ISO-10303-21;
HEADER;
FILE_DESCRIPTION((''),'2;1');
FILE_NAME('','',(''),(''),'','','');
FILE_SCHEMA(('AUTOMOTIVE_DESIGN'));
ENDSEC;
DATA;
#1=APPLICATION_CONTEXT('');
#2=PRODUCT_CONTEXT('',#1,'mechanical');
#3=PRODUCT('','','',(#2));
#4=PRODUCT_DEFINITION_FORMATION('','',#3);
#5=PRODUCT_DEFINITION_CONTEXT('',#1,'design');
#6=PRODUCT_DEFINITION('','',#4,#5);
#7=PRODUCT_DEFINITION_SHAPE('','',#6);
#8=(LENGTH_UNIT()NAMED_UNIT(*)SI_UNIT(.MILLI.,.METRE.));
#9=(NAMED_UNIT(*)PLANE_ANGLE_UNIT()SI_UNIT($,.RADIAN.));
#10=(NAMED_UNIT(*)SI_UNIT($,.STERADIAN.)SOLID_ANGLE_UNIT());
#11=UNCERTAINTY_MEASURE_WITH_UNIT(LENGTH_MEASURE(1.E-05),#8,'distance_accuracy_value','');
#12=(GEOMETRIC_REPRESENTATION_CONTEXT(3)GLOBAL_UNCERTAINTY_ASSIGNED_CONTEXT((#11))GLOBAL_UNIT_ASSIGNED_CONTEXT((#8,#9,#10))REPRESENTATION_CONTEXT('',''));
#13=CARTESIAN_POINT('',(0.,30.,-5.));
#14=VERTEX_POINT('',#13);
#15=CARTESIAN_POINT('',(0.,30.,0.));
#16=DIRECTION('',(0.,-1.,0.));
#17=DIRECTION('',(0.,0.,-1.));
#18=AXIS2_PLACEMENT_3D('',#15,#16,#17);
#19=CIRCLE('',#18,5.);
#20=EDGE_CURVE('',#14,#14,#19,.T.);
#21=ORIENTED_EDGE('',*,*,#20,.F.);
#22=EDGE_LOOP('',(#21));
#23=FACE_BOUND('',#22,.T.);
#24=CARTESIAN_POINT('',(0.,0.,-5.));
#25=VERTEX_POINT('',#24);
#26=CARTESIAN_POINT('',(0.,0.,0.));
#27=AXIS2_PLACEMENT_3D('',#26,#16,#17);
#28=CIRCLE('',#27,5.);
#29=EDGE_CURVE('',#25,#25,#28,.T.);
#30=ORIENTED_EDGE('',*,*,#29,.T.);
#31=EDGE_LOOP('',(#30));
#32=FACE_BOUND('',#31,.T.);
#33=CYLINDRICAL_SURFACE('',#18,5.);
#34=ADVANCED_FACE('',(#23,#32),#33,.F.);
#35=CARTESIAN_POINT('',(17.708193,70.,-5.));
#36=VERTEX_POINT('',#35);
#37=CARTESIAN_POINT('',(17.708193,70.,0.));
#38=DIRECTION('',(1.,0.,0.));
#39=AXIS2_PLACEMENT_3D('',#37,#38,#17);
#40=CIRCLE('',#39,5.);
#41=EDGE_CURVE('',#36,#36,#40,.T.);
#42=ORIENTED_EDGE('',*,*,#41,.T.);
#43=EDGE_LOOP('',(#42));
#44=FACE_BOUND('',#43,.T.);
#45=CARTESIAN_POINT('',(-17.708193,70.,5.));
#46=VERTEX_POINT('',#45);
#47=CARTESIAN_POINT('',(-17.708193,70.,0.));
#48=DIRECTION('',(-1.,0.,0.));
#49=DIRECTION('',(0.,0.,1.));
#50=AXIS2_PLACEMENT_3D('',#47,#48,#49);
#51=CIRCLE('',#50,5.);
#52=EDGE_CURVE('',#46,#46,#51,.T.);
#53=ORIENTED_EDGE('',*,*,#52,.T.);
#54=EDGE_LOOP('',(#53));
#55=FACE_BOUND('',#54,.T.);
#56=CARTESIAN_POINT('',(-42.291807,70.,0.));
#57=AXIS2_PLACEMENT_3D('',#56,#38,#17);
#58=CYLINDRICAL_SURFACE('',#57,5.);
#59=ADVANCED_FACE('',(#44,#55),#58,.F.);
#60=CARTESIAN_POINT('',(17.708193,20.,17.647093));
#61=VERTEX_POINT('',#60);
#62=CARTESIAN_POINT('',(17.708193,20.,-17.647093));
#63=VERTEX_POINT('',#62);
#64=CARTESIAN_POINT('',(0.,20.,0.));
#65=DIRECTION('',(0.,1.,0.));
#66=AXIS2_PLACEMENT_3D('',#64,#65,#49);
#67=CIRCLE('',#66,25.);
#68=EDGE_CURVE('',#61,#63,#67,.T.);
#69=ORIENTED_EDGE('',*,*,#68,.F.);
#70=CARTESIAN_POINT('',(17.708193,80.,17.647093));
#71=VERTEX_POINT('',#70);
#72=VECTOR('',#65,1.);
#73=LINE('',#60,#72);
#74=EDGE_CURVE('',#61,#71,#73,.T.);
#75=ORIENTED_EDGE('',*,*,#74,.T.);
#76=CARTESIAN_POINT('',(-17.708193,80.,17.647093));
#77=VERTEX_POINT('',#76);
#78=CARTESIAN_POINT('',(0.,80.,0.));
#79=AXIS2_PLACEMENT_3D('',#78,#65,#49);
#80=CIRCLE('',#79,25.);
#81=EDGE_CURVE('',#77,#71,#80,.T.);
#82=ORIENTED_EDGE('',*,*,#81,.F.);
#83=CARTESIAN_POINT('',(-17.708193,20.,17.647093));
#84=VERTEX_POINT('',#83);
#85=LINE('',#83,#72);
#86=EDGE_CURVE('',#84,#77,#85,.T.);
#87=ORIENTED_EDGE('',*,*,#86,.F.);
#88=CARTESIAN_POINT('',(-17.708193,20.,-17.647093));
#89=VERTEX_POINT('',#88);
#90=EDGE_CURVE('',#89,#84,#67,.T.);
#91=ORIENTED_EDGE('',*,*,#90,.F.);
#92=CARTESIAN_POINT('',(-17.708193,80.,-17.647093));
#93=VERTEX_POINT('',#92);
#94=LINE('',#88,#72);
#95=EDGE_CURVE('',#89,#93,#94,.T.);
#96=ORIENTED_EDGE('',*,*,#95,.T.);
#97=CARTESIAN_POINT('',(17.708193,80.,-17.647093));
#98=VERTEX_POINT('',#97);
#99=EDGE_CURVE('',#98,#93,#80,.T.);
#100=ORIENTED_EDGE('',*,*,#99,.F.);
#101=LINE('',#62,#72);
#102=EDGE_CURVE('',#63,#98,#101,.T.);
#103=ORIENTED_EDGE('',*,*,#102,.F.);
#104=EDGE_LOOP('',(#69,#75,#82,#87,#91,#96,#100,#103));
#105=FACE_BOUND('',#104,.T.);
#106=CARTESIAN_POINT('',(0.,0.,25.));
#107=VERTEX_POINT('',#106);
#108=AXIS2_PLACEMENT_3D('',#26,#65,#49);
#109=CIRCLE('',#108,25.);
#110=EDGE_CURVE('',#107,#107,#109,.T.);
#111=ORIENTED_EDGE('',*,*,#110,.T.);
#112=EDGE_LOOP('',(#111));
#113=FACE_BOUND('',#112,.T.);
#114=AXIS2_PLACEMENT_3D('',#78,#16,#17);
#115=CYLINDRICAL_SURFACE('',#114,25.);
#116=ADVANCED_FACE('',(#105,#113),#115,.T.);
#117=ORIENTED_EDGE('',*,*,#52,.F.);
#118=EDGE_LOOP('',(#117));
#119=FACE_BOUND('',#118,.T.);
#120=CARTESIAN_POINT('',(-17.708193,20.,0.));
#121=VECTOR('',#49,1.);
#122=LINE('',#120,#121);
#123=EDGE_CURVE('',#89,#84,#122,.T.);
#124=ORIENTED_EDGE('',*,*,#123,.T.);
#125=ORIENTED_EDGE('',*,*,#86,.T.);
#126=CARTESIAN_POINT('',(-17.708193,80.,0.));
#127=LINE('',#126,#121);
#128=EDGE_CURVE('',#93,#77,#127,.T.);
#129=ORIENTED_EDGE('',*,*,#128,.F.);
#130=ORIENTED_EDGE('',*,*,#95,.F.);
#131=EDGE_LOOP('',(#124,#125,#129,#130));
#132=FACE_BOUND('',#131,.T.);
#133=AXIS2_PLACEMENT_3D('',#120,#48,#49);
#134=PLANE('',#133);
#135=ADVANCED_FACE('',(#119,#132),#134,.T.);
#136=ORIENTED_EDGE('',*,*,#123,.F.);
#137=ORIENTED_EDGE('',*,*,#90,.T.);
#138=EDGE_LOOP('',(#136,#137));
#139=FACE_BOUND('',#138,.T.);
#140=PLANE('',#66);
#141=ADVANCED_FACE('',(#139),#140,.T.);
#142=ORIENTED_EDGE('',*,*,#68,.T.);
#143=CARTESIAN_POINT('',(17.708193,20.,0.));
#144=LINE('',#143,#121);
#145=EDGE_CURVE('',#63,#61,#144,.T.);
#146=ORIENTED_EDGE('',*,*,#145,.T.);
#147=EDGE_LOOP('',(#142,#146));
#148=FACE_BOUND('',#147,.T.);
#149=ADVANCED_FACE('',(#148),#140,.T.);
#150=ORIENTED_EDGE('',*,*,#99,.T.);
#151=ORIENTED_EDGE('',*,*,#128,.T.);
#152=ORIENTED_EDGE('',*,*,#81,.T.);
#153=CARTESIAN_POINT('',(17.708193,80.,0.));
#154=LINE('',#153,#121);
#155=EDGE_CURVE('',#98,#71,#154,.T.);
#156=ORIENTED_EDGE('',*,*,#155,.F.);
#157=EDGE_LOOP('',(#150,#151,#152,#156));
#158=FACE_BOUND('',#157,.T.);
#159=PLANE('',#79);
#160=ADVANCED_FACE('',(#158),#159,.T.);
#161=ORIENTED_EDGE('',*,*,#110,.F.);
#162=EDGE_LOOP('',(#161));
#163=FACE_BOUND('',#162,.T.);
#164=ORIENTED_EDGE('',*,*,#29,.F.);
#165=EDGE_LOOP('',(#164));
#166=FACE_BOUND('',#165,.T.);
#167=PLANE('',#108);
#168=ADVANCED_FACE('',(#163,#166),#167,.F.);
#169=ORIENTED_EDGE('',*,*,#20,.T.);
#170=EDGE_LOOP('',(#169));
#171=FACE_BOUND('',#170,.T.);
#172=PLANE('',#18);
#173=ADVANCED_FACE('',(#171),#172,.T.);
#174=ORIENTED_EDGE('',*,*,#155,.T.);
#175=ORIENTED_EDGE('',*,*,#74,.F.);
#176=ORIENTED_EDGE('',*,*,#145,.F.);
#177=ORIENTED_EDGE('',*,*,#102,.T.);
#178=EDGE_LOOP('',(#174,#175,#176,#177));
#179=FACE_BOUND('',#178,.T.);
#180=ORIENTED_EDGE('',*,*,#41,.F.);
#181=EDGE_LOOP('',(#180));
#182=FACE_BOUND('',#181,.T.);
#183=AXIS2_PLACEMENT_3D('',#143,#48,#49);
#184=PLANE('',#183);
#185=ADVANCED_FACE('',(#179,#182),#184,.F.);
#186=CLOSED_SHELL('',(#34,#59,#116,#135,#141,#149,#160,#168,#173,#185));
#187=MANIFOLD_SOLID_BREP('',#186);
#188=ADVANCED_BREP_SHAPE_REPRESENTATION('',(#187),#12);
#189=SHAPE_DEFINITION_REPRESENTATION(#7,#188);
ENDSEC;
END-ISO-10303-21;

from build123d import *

# Parameters (mm, degrees)
SKETCH1_R           = 25
BOSS_EXTRUDE1_DEPTH = 80
CUT_EXTRUDE1_DEPTH  = 60
SKETCH3_R           = 5
CUT_EXTRUDE2_DEPTH  = 60
SKETCH4_R           = 5
CUT_EXTRUDE3_DEPTH  = 30


with BuildPart() as part:
    # Sketch1 → Boss-Extrude1 (new body)
    with BuildSketch(Plane(origin=(0, 0, 0), x_dir=(1, 0, 0), z_dir=(0, 1, 0))):
        Circle(SKETCH1_R)
    extrude(amount=BOSS_EXTRUDE1_DEPTH)

    # Sketch2 → Cut-Extrude1 (cut)
    with BuildSketch(Plane(origin=(0, 80, 0), x_dir=(1, 0, 0), z_dir=(0, 1, 0))):
        with BuildLine():
            Line((-17.708192822, -17.647093443), (-17.708192822, 17.647093443))
            ThreePointArc((-17.708192822, 17.647093443), (-25, 0), (-17.708192822, -17.647093443))
        make_face()
        with BuildLine():
            ThreePointArc((25, 0), (23.10524638, 9.547124684), (17.708192822, 17.647093443))
            Line((17.708192822, 17.647093443), (17.708192822, -17.647093443))
            ThreePointArc((17.708192822, -17.647093443), (23.10524638, -9.547124684), (25, 0))
        make_face()
    extrude(amount=-CUT_EXTRUDE1_DEPTH, mode=Mode.SUBTRACT)

    # Sketch3 → Cut-Extrude2 (cut)
    with BuildSketch(Plane(origin=(17.708192822, 0, 0), x_dir=(0, 0, -1), z_dir=(1, 0, 0))):
        with Locations((0, 70)):
            Circle(SKETCH3_R)
    extrude(amount=-CUT_EXTRUDE2_DEPTH, mode=Mode.SUBTRACT)

    # Sketch4 → Cut-Extrude3 (cut)
    with BuildSketch(Plane.XZ):
        Circle(SKETCH4_R)
    extrude(amount=-CUT_EXTRUDE3_DEPTH, mode=Mode.SUBTRACT)


solid = part.part
